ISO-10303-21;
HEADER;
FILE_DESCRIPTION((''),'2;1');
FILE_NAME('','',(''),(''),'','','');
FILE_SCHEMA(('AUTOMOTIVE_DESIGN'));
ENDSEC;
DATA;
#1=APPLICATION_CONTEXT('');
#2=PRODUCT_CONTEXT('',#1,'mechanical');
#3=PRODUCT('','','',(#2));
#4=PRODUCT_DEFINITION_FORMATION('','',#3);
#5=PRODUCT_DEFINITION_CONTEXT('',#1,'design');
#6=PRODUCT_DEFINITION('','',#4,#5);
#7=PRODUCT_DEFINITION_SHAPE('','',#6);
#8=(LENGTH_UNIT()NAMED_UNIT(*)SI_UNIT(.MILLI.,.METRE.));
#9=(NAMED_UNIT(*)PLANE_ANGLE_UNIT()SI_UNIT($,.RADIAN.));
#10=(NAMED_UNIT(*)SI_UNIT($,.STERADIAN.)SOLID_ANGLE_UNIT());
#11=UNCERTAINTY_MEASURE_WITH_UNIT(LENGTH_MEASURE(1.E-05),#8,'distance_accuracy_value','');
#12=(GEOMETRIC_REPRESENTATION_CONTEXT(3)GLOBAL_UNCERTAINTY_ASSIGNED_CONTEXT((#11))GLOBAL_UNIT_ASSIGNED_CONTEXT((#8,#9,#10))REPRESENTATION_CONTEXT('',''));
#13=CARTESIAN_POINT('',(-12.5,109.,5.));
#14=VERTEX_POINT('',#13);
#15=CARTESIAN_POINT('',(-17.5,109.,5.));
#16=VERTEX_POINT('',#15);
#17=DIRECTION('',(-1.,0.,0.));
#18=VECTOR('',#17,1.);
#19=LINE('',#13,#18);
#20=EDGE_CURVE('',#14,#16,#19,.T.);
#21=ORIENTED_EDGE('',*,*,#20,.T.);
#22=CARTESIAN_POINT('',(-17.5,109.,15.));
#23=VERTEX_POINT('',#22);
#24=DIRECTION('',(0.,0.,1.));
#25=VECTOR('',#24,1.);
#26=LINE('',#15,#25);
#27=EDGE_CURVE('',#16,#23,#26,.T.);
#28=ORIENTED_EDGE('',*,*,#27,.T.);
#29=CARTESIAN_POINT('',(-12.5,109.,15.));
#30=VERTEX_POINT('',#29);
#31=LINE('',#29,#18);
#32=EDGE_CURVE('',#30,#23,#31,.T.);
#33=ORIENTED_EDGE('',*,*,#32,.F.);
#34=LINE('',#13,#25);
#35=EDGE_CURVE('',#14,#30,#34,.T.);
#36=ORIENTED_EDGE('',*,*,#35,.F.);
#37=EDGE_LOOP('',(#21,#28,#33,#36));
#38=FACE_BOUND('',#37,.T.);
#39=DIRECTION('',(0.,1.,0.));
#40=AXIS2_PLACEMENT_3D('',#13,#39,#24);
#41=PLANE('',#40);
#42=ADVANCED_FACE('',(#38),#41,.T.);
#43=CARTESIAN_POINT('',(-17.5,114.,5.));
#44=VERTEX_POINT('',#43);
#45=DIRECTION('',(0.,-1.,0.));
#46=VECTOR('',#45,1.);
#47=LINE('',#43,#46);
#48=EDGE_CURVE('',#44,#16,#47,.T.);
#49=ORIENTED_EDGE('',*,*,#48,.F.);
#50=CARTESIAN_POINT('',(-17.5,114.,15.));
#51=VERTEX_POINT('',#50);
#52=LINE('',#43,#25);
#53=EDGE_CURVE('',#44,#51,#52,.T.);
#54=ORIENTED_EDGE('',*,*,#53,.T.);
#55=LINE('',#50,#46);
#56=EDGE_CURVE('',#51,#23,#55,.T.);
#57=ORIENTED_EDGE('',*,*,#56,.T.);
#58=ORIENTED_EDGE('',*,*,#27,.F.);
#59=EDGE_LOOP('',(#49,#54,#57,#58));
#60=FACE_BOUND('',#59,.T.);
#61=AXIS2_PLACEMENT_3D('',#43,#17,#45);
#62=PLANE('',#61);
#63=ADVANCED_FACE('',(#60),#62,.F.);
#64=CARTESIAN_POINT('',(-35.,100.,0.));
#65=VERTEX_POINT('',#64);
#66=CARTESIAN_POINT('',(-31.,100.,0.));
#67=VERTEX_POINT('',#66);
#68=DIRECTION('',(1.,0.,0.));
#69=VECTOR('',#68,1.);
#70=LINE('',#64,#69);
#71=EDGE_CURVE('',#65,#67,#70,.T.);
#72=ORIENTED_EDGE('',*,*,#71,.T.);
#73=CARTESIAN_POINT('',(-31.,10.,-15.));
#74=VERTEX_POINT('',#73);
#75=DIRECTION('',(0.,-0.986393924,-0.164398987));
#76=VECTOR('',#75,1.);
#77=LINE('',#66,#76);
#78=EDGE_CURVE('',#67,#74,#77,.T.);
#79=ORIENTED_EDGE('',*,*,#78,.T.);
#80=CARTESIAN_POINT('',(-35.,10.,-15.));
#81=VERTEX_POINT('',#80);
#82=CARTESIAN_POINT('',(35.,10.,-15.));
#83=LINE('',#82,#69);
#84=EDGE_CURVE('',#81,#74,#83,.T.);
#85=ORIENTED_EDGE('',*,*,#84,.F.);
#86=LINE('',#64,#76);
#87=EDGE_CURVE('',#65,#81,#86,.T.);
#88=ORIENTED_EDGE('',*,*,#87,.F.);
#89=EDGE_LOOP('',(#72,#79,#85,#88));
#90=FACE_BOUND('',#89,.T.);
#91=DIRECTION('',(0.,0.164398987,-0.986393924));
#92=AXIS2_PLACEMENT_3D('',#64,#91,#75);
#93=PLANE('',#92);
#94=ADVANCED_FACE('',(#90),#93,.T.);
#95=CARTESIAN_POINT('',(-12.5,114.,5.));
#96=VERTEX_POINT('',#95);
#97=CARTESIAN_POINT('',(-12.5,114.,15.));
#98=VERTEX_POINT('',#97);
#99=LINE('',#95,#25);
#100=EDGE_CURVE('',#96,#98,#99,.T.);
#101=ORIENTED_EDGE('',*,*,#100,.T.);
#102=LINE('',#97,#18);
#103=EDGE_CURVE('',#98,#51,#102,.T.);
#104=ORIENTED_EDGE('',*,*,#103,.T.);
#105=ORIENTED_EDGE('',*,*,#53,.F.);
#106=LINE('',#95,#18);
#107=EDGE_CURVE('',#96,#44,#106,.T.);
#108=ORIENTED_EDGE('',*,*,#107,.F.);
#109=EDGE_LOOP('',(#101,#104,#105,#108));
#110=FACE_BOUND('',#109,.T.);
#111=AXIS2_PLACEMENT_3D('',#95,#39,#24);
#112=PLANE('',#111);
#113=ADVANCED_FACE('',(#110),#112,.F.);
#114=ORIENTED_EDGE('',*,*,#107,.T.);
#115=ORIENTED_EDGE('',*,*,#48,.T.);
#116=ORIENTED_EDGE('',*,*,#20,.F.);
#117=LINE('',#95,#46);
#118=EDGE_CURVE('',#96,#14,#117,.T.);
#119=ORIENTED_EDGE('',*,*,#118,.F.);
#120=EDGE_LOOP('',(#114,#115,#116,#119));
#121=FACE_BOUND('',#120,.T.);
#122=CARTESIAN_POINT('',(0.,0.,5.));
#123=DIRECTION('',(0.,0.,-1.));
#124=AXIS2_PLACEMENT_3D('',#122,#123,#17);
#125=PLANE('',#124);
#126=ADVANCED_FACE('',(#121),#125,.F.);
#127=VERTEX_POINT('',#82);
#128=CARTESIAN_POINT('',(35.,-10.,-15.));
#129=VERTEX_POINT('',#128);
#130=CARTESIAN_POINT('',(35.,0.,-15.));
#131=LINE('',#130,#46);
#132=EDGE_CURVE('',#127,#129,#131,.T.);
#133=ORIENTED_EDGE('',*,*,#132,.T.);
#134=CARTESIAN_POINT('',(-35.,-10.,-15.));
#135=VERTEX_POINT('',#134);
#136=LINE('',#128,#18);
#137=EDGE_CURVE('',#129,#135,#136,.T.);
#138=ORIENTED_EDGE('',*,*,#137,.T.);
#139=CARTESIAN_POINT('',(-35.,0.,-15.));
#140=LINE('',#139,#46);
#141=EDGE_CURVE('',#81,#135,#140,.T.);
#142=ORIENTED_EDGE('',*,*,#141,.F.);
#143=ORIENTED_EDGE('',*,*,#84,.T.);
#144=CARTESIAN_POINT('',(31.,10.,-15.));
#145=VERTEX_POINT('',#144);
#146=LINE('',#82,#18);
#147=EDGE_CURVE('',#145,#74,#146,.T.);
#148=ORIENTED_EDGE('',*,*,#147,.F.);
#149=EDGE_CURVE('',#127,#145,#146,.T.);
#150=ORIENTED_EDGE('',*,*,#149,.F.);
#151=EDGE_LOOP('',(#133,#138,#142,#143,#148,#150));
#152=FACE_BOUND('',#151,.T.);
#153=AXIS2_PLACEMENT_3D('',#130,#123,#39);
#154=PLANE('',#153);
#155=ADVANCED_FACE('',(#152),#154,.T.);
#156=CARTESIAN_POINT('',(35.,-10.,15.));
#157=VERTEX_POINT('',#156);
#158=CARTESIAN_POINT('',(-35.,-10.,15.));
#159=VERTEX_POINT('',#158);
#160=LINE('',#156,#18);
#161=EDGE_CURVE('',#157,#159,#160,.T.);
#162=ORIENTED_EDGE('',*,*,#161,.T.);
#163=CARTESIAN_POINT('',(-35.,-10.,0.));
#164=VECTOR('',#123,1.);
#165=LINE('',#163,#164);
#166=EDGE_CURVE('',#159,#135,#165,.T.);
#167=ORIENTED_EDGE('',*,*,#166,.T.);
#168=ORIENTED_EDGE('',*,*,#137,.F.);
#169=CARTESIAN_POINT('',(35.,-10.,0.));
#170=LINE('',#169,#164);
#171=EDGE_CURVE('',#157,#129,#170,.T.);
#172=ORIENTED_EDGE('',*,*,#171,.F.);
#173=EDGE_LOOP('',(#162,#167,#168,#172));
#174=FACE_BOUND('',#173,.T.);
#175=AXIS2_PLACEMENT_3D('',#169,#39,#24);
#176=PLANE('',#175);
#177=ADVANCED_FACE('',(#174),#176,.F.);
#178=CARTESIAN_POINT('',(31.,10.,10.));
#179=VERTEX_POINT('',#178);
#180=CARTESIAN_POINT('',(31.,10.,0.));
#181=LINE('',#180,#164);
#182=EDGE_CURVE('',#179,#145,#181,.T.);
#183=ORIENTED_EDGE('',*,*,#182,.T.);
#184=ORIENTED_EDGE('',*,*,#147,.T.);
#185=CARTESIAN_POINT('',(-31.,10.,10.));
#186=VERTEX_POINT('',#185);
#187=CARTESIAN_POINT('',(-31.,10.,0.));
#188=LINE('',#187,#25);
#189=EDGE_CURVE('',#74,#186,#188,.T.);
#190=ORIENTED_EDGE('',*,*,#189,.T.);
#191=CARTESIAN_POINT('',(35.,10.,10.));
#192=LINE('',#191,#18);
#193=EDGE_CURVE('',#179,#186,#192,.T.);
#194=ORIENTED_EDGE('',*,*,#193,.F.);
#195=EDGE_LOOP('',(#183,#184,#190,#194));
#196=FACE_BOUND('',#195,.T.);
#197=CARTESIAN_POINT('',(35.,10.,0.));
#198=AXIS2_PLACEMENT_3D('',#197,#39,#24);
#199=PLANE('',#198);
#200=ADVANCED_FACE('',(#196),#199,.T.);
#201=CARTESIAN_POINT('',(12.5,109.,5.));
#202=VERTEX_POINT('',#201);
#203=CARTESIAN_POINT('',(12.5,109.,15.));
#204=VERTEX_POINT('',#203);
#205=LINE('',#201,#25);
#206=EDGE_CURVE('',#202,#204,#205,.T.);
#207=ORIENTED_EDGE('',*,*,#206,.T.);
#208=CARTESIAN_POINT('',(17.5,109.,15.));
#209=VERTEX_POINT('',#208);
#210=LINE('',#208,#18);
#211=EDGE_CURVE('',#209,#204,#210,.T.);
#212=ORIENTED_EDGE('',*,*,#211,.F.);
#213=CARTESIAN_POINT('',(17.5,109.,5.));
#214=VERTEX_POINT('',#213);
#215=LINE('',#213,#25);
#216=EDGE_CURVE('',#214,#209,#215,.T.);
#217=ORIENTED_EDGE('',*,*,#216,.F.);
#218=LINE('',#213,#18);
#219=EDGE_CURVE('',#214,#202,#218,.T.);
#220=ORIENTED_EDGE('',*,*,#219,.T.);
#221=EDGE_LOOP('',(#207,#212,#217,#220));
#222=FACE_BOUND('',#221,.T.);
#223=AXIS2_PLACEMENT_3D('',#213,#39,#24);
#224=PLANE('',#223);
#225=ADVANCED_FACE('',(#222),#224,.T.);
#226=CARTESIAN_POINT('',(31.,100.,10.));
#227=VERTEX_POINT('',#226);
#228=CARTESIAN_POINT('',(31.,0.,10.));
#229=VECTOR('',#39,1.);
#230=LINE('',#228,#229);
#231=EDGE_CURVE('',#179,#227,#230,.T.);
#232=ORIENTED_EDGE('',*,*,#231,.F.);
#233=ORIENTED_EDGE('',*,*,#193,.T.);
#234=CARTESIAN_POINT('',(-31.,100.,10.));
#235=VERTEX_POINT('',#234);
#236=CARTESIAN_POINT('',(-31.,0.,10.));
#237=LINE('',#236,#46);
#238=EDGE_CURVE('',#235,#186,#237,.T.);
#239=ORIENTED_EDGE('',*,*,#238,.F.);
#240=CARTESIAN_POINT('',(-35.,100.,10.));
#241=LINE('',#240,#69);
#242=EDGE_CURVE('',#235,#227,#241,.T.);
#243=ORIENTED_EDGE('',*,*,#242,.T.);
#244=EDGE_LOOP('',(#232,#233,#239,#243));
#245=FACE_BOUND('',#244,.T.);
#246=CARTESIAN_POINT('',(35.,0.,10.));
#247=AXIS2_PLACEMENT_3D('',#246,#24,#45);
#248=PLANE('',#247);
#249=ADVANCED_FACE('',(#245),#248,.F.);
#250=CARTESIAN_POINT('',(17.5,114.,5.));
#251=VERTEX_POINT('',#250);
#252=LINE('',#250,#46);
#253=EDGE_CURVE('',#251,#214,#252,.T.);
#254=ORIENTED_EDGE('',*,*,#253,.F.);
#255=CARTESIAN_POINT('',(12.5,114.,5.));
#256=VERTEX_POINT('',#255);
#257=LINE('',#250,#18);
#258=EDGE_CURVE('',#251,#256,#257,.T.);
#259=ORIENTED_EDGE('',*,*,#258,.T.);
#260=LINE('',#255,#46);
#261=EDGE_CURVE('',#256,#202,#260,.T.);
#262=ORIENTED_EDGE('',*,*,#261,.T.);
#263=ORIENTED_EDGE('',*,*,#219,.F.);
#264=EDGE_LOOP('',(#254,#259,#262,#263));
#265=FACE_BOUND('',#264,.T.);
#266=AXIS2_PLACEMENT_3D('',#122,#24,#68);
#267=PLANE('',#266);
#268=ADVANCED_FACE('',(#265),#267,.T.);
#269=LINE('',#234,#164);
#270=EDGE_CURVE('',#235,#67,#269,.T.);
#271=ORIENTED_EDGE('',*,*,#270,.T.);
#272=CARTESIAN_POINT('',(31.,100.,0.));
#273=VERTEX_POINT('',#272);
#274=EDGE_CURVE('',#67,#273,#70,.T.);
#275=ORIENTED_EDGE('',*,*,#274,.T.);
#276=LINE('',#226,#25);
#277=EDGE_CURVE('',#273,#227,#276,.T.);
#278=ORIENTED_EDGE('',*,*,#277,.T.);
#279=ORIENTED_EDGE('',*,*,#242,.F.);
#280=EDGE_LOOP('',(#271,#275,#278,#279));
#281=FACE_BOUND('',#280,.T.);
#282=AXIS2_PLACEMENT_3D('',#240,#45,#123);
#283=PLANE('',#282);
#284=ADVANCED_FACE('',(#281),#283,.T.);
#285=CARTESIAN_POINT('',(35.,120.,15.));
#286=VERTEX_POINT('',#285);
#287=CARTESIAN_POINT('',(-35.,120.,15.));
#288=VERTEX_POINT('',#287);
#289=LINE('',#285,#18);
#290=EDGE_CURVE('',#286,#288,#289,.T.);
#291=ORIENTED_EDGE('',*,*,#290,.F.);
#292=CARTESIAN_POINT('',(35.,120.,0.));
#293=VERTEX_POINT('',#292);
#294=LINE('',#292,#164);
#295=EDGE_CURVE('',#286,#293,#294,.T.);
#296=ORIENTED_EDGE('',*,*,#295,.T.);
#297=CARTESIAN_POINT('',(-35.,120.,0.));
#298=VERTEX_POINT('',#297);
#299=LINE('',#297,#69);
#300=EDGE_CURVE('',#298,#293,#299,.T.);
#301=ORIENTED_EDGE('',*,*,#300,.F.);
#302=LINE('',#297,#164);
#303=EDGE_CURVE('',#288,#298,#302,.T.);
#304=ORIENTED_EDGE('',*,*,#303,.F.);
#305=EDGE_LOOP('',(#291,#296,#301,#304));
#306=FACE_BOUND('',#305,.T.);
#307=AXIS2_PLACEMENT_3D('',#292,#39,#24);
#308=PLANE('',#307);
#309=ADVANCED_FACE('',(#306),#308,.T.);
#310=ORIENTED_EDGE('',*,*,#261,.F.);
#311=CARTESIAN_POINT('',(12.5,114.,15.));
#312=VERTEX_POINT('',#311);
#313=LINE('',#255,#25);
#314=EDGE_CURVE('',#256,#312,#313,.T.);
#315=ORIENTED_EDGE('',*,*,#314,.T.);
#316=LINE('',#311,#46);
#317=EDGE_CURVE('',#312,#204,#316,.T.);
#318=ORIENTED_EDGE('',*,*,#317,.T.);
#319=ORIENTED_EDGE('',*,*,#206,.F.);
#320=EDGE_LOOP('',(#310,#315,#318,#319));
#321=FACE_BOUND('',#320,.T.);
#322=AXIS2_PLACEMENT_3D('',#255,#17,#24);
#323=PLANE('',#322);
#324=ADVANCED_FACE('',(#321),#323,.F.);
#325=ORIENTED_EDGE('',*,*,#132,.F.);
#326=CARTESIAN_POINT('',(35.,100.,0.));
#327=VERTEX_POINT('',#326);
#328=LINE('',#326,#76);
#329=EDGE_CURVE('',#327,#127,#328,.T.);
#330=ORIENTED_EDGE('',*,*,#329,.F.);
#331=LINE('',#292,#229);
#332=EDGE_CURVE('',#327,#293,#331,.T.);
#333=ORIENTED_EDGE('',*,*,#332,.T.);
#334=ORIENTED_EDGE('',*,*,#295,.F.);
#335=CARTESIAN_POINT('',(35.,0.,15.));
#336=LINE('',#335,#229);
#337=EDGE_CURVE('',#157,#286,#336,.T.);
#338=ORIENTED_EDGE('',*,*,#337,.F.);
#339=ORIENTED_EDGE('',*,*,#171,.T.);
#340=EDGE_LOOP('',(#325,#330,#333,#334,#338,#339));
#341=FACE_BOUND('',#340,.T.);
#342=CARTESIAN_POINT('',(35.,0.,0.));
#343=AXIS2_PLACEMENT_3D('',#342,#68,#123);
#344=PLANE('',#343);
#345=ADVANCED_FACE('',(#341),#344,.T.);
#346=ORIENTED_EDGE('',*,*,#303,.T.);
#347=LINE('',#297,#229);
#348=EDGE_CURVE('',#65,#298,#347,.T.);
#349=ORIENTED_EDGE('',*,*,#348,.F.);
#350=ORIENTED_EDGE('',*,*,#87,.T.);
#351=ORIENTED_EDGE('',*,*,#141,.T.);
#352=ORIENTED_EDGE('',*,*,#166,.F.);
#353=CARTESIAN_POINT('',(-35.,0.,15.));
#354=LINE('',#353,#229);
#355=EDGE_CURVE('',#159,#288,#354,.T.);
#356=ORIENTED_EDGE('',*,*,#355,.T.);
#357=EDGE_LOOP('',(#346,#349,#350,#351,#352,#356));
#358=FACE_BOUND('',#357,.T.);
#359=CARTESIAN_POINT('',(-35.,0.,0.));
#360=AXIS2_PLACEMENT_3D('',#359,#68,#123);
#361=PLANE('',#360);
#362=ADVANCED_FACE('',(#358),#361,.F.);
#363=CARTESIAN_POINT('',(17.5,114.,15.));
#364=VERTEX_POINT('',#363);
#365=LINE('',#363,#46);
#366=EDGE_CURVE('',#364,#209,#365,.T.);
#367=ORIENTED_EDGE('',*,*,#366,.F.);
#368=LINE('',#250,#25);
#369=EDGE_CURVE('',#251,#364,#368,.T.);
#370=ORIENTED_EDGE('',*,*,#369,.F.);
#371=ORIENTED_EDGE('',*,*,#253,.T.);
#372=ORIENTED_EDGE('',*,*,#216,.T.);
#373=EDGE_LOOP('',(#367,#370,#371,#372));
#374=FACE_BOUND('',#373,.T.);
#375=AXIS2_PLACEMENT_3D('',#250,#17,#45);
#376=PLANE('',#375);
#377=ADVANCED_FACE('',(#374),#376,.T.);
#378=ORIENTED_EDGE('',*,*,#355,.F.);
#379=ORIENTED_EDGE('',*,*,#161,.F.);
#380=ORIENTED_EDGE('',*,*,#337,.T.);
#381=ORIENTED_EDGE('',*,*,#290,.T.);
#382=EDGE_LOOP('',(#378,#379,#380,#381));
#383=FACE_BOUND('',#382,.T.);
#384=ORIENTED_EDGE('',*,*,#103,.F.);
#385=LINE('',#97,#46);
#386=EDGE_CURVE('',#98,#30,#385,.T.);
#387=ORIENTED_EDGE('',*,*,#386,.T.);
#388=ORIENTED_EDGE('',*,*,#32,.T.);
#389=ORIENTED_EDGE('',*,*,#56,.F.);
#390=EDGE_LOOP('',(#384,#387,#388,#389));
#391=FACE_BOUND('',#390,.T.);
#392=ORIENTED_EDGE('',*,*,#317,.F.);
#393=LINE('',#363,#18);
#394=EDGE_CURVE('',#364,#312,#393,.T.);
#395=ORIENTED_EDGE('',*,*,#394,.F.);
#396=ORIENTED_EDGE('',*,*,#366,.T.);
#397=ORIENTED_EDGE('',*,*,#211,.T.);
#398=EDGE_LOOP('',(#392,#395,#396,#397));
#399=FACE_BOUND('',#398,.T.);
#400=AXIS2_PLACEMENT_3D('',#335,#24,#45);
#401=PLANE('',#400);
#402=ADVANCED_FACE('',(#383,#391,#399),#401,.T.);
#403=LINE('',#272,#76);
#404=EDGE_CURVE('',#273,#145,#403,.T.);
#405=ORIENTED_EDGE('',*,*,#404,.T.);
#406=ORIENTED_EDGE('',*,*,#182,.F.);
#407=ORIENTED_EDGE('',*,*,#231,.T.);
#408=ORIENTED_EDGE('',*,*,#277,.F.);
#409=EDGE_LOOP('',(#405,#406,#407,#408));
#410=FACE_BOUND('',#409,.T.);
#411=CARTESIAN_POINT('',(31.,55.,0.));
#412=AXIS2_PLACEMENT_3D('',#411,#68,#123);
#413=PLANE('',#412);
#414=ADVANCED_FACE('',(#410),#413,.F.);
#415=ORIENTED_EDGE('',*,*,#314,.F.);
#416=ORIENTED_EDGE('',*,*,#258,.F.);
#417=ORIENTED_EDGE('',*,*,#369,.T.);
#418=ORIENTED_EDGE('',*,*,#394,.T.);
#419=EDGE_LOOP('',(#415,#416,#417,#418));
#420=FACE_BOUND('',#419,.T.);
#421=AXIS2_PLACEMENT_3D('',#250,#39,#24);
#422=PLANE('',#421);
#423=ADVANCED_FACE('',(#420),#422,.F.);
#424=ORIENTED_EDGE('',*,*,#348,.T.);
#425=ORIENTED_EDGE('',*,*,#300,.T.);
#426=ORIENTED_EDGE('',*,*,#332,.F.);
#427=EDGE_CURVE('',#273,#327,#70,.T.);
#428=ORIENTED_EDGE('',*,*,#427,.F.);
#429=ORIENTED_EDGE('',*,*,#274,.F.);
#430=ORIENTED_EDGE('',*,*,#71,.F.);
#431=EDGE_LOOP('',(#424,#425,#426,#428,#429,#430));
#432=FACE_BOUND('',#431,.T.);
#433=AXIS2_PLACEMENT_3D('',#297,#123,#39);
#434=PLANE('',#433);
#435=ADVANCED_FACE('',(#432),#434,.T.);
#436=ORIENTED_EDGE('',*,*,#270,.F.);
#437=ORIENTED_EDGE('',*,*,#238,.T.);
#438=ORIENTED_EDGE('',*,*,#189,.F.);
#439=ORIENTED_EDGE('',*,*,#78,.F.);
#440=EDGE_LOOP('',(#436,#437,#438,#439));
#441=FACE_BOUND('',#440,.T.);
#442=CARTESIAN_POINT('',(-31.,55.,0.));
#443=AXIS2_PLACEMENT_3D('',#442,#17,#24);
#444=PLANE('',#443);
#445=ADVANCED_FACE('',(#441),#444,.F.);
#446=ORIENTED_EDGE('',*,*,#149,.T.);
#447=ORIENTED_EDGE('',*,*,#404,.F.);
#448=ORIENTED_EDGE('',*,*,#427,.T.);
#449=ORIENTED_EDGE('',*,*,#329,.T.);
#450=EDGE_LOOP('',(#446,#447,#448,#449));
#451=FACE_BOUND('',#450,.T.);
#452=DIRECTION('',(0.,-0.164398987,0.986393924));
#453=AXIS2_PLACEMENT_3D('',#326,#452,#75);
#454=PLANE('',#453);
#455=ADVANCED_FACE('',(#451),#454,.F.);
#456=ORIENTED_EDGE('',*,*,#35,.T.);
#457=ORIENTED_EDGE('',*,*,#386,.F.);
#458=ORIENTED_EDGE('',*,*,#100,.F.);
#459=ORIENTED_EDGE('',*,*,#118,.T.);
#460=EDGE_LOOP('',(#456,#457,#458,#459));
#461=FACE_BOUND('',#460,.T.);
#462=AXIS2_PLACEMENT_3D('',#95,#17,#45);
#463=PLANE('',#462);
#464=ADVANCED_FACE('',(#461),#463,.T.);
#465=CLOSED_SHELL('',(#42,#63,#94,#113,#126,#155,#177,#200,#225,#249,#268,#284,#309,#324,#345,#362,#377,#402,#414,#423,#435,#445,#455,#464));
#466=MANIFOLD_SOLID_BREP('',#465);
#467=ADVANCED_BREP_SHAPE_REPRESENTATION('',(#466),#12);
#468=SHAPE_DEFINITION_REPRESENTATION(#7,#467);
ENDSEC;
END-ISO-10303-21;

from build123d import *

# Parameters (mm, degrees)
SKETCH1_W           = 5
SKETCH1_H           = 110
SKETCH1_W_2         = 30
SKETCH1_H_2         = 20
BOSS_EXTRUDE1_DEPTH = 35
SKETCH9_W           = 10
SKETCH9_H           = 20
BOSS_EXTRUDE2_DEPTH = 70
RIB1_REACH          = 141.732
SKETCH10_WALL_W     = 372.705210204
SKETCH10_WALL_H     = 4
SKETCH11_W          = 5
SKETCH11_H          = 5
CUT_EXTRUDE2_DEPTH  = 10


with BuildPart() as part:
    # Sketch1 → Boss-Extrude1 (new, symmetric)
    with BuildSketch(Plane(origin=(0, 0, 0), x_dir=(0, 0, -1), z_dir=(1, 0, 0))):
        with Locations((-12.5, 65)):
            Rectangle(SKETCH1_W, SKETCH1_H)
        Rectangle(SKETCH1_W_2, SKETCH1_H_2)
    extrude(amount=BOSS_EXTRUDE1_DEPTH, both=True)

    # Sketch9 → Boss-Extrude2 (add, through all)
    with BuildSketch(Plane(origin=(35, 0, 0), x_dir=(0, 0, -1), z_dir=(1, 0, 0))):
        with Locations((-5, 110)):
            Rectangle(SKETCH9_W, SKETCH9_H)
    extrude(amount=-BOSS_EXTRUDE2_DEPTH)

    # Sketch10 wall → Rib1 (add, up to next)
    with BuildSketch(Plane(origin=(35, 55, -7.5), x_dir=(0, -0.986393923832, -0.164398987305), z_dir=(0, 0.164398987305, -0.986393923832)), mode=Mode.PRIVATE) as rib1_sk1:
        with Locations((0, 2)):
            Rectangle(SKETCH10_WALL_W, SKETCH10_WALL_H)
    rib1_tool1 = extrude(rib1_sk1.sketch, amount=-RIB1_REACH, mode=Mode.PRIVATE) - part.part
    rib1 = rib1_tool1.solids().sort_by_distance((35, 55, -7.5))[0]
    add(rib1)

    # Mirror1: Rib1 across plane
    add(rib1.mirror(Plane(origin=(0, 0, 0), x_dir=(0, 0, 1), z_dir=(1, 0, 0))))

    # Sketch11 → Cut-Extrude2 (cut)
    with BuildSketch(Plane.XY.offset(15)):
        with Locations((15, 111.5)):
            Rectangle(SKETCH11_W, SKETCH11_H)
        with Locations((-15, 111.5)):
            Rectangle(SKETCH11_W, SKETCH11_H)
    extrude(amount=-CUT_EXTRUDE2_DEPTH, mode=Mode.SUBTRACT)


solid = part.part
